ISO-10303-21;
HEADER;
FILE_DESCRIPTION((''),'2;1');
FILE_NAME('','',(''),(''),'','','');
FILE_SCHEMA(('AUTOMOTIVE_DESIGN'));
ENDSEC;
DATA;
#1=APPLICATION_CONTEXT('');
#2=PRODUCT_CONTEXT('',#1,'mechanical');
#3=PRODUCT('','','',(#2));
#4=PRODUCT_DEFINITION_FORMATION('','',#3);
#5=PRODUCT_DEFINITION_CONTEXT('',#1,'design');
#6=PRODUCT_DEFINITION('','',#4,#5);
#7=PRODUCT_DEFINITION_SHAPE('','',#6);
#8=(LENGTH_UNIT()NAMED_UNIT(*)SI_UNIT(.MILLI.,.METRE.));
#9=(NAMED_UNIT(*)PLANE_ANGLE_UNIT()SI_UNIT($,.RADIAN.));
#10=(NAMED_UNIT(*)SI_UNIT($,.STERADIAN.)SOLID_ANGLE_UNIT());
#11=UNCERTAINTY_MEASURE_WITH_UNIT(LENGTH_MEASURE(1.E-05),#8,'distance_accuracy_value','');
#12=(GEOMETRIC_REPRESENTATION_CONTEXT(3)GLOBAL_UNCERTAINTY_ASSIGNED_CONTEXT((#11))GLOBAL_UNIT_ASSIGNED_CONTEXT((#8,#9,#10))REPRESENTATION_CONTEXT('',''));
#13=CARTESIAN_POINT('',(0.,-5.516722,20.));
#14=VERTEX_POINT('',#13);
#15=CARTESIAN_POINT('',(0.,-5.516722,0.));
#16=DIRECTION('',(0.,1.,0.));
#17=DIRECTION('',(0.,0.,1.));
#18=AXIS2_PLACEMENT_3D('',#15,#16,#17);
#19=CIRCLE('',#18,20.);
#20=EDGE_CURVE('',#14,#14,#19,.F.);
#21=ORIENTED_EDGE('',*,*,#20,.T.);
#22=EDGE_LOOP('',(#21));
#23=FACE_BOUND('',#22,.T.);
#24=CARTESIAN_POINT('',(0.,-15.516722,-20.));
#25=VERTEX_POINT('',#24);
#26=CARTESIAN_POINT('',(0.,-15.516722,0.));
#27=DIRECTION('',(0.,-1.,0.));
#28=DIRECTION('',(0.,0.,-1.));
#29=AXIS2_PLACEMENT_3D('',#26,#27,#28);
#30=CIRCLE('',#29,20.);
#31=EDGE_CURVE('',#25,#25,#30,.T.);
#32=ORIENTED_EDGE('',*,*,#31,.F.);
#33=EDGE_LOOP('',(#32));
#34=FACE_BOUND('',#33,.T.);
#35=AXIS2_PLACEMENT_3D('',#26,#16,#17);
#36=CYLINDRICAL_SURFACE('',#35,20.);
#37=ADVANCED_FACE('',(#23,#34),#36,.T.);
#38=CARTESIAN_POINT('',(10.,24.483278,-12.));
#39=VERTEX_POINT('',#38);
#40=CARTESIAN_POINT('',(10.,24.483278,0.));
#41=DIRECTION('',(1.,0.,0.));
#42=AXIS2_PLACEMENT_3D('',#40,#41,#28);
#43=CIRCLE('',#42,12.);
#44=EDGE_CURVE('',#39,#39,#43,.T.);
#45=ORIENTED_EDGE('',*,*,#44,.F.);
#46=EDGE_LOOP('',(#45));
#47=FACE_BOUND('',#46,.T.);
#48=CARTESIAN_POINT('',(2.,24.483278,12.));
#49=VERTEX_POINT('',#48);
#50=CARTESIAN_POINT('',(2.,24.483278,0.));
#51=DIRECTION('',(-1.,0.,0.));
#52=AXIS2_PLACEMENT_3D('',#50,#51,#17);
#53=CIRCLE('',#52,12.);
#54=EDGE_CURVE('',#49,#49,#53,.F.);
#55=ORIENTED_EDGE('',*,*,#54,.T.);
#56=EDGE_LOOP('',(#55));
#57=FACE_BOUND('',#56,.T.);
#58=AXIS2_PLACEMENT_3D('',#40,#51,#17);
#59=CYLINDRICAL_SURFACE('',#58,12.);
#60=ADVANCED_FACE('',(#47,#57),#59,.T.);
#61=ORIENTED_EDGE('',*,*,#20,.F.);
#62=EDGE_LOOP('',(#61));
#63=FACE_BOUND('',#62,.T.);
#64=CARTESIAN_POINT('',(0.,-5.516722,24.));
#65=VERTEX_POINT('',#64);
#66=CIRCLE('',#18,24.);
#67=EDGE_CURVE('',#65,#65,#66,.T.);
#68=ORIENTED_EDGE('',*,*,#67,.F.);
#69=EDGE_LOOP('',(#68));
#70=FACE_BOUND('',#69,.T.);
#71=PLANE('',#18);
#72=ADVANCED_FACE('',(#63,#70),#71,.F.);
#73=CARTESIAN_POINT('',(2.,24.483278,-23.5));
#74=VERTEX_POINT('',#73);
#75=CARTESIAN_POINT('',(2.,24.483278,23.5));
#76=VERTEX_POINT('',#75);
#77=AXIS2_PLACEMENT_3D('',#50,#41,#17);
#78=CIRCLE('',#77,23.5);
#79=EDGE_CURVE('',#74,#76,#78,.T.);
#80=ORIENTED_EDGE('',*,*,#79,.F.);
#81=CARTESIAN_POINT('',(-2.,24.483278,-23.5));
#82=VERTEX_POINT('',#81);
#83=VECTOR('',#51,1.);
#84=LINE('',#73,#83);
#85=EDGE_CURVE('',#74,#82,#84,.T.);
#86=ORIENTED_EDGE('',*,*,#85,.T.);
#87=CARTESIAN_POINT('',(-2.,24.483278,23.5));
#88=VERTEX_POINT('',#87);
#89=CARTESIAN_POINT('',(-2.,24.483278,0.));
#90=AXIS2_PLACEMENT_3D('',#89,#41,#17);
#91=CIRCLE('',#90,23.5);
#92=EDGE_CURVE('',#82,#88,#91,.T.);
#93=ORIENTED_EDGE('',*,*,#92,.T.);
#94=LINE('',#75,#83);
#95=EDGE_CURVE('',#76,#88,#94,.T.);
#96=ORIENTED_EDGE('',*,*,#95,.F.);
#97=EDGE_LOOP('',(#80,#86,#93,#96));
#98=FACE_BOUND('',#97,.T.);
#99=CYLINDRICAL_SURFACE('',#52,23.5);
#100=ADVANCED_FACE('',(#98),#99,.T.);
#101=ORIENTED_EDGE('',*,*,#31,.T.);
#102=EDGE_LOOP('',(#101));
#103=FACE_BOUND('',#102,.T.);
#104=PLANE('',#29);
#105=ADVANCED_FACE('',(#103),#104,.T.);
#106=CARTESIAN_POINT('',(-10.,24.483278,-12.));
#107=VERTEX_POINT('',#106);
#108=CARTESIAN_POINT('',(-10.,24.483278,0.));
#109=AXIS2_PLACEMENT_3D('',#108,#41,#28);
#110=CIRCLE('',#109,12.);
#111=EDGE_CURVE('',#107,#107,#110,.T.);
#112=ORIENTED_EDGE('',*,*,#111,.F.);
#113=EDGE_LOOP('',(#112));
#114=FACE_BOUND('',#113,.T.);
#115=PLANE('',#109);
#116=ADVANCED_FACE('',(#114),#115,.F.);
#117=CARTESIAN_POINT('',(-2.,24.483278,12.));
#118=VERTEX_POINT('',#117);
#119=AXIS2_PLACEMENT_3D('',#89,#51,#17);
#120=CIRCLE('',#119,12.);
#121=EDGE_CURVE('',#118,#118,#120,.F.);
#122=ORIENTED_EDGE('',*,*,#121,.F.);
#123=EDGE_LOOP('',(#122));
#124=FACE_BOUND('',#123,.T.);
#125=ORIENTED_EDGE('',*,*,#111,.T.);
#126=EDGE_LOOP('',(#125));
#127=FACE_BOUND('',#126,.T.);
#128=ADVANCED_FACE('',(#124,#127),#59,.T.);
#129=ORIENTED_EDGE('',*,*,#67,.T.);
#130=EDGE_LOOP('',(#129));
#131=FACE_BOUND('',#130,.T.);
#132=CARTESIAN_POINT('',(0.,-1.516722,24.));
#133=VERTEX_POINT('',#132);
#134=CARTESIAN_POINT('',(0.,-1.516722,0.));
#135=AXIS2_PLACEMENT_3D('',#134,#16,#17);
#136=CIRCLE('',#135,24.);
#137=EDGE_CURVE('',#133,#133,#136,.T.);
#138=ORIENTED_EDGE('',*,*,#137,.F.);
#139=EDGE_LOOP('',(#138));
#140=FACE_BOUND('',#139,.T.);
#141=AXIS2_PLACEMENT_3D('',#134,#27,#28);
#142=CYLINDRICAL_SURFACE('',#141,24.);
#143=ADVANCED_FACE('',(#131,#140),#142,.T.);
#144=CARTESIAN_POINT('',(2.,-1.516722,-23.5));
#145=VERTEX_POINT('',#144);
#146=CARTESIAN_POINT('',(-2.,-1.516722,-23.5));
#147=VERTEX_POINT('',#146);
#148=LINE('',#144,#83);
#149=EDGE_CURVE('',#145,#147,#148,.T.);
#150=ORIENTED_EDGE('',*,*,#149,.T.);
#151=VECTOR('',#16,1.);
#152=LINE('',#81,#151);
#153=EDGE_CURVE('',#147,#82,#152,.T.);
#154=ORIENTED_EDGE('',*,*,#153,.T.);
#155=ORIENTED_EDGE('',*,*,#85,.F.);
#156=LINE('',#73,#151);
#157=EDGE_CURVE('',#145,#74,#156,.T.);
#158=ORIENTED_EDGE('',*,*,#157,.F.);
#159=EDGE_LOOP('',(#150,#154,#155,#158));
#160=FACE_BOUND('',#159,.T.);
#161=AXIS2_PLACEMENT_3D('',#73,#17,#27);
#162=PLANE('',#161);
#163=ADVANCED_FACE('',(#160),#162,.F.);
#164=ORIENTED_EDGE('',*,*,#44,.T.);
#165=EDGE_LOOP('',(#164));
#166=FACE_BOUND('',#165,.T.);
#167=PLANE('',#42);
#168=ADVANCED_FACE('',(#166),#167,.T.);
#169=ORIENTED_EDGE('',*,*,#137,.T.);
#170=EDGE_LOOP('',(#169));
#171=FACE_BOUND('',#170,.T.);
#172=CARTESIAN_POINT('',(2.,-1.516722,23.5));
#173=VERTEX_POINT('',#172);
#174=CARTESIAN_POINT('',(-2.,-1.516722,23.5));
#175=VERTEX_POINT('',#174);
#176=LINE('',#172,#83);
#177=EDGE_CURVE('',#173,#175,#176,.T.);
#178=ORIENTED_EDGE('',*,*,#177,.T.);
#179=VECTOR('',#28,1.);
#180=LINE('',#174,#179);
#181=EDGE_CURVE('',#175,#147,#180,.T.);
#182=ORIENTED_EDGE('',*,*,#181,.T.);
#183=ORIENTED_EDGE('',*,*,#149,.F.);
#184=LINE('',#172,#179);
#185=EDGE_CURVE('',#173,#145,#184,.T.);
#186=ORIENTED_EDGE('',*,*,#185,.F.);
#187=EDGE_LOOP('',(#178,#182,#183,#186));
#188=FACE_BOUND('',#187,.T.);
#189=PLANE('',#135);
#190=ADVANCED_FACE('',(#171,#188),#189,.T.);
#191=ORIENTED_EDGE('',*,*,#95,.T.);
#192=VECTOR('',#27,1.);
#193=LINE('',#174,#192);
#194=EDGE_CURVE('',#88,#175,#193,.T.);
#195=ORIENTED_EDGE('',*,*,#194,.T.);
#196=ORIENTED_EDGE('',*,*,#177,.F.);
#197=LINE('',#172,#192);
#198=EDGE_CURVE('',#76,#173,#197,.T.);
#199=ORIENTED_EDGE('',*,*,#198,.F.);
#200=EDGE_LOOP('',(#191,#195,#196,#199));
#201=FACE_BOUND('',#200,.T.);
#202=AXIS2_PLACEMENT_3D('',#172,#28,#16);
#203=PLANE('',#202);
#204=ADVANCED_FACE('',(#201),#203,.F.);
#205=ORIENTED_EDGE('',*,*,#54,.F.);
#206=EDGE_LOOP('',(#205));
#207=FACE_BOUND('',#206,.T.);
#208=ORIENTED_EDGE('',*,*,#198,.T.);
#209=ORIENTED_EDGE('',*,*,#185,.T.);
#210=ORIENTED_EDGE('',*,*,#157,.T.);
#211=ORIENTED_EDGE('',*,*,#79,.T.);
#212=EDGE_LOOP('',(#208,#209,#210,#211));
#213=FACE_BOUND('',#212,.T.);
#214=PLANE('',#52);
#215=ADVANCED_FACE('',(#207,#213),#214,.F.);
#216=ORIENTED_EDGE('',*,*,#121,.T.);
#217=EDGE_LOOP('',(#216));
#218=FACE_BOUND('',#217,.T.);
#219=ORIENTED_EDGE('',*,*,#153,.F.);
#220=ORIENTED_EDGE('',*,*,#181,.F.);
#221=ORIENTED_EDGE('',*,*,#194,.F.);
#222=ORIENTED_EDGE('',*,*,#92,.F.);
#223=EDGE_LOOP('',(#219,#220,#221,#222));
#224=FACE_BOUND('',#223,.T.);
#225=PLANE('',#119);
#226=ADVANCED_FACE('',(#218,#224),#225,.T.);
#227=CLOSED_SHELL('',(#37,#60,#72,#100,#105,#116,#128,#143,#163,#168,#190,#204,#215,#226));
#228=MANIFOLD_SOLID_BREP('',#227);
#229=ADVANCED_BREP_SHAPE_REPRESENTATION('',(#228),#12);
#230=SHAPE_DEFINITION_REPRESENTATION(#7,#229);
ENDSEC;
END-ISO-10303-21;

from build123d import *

# Parameters (mm, degrees)
SKETCH1_R           = 12
BOSS_EXTRUDE1_DEPTH = 2
BOSS_EXTRUDE2_DEPTH = 1
SKETCH3_R           = 10
BOSS_EXTRUDE3_DEPTH = 5
SKETCH4_R           = 6
BOSS_EXTRUDE4_DEPTH = 5
SCALE1_SCALE        = 2


with BuildPart() as part:
    # Sketch1 → Boss-Extrude1 (new body)
    with BuildSketch(Plane(origin=(0, 0, 0), x_dir=(1, 0, 0), z_dir=(0, 1, 0))):
        Circle(SKETCH1_R)
    extrude(amount=BOSS_EXTRUDE1_DEPTH)

    # Sketch2 → Boss-Extrude2 (add, symmetric)
    with BuildSketch(Plane(origin=(0, 0, 0), x_dir=(0, 0, -1), z_dir=(1, 0, 0))):
        with BuildLine():
            Line((-11.75, 2), (-11.75, 15))
            ThreePointArc((-11.75, 15), (0, 26.75), (11.75, 15))
            Line((11.75, 15), (11.75, 2))
            Line((11.75, 2), (-11.75, 2))
        make_face()
    extrude(amount=BOSS_EXTRUDE2_DEPTH, both=True)

    # Sketch3 → Boss-Extrude3 (add)
    with BuildSketch(Plane.XZ):
        Circle(SKETCH3_R)
    extrude(amount=BOSS_EXTRUDE3_DEPTH)

    # Sketch4 → Boss-Extrude4 (add, symmetric)
    with BuildSketch(Plane(origin=(0, 0, 0), x_dir=(0, 0, -1), z_dir=(1, 0, 0))):
        with Locations((0, 15)):
            Circle(SKETCH4_R)
    extrude(amount=BOSS_EXTRUDE4_DEPTH, both=True)


with BuildPart() as part_1:
    # Scale1: scaled about (0, 5.516721754, 0)
    add(part.part.scale(SCALE1_SCALE).moved(Location((0, -5.516721754, 0))))


solid = part_1.part
